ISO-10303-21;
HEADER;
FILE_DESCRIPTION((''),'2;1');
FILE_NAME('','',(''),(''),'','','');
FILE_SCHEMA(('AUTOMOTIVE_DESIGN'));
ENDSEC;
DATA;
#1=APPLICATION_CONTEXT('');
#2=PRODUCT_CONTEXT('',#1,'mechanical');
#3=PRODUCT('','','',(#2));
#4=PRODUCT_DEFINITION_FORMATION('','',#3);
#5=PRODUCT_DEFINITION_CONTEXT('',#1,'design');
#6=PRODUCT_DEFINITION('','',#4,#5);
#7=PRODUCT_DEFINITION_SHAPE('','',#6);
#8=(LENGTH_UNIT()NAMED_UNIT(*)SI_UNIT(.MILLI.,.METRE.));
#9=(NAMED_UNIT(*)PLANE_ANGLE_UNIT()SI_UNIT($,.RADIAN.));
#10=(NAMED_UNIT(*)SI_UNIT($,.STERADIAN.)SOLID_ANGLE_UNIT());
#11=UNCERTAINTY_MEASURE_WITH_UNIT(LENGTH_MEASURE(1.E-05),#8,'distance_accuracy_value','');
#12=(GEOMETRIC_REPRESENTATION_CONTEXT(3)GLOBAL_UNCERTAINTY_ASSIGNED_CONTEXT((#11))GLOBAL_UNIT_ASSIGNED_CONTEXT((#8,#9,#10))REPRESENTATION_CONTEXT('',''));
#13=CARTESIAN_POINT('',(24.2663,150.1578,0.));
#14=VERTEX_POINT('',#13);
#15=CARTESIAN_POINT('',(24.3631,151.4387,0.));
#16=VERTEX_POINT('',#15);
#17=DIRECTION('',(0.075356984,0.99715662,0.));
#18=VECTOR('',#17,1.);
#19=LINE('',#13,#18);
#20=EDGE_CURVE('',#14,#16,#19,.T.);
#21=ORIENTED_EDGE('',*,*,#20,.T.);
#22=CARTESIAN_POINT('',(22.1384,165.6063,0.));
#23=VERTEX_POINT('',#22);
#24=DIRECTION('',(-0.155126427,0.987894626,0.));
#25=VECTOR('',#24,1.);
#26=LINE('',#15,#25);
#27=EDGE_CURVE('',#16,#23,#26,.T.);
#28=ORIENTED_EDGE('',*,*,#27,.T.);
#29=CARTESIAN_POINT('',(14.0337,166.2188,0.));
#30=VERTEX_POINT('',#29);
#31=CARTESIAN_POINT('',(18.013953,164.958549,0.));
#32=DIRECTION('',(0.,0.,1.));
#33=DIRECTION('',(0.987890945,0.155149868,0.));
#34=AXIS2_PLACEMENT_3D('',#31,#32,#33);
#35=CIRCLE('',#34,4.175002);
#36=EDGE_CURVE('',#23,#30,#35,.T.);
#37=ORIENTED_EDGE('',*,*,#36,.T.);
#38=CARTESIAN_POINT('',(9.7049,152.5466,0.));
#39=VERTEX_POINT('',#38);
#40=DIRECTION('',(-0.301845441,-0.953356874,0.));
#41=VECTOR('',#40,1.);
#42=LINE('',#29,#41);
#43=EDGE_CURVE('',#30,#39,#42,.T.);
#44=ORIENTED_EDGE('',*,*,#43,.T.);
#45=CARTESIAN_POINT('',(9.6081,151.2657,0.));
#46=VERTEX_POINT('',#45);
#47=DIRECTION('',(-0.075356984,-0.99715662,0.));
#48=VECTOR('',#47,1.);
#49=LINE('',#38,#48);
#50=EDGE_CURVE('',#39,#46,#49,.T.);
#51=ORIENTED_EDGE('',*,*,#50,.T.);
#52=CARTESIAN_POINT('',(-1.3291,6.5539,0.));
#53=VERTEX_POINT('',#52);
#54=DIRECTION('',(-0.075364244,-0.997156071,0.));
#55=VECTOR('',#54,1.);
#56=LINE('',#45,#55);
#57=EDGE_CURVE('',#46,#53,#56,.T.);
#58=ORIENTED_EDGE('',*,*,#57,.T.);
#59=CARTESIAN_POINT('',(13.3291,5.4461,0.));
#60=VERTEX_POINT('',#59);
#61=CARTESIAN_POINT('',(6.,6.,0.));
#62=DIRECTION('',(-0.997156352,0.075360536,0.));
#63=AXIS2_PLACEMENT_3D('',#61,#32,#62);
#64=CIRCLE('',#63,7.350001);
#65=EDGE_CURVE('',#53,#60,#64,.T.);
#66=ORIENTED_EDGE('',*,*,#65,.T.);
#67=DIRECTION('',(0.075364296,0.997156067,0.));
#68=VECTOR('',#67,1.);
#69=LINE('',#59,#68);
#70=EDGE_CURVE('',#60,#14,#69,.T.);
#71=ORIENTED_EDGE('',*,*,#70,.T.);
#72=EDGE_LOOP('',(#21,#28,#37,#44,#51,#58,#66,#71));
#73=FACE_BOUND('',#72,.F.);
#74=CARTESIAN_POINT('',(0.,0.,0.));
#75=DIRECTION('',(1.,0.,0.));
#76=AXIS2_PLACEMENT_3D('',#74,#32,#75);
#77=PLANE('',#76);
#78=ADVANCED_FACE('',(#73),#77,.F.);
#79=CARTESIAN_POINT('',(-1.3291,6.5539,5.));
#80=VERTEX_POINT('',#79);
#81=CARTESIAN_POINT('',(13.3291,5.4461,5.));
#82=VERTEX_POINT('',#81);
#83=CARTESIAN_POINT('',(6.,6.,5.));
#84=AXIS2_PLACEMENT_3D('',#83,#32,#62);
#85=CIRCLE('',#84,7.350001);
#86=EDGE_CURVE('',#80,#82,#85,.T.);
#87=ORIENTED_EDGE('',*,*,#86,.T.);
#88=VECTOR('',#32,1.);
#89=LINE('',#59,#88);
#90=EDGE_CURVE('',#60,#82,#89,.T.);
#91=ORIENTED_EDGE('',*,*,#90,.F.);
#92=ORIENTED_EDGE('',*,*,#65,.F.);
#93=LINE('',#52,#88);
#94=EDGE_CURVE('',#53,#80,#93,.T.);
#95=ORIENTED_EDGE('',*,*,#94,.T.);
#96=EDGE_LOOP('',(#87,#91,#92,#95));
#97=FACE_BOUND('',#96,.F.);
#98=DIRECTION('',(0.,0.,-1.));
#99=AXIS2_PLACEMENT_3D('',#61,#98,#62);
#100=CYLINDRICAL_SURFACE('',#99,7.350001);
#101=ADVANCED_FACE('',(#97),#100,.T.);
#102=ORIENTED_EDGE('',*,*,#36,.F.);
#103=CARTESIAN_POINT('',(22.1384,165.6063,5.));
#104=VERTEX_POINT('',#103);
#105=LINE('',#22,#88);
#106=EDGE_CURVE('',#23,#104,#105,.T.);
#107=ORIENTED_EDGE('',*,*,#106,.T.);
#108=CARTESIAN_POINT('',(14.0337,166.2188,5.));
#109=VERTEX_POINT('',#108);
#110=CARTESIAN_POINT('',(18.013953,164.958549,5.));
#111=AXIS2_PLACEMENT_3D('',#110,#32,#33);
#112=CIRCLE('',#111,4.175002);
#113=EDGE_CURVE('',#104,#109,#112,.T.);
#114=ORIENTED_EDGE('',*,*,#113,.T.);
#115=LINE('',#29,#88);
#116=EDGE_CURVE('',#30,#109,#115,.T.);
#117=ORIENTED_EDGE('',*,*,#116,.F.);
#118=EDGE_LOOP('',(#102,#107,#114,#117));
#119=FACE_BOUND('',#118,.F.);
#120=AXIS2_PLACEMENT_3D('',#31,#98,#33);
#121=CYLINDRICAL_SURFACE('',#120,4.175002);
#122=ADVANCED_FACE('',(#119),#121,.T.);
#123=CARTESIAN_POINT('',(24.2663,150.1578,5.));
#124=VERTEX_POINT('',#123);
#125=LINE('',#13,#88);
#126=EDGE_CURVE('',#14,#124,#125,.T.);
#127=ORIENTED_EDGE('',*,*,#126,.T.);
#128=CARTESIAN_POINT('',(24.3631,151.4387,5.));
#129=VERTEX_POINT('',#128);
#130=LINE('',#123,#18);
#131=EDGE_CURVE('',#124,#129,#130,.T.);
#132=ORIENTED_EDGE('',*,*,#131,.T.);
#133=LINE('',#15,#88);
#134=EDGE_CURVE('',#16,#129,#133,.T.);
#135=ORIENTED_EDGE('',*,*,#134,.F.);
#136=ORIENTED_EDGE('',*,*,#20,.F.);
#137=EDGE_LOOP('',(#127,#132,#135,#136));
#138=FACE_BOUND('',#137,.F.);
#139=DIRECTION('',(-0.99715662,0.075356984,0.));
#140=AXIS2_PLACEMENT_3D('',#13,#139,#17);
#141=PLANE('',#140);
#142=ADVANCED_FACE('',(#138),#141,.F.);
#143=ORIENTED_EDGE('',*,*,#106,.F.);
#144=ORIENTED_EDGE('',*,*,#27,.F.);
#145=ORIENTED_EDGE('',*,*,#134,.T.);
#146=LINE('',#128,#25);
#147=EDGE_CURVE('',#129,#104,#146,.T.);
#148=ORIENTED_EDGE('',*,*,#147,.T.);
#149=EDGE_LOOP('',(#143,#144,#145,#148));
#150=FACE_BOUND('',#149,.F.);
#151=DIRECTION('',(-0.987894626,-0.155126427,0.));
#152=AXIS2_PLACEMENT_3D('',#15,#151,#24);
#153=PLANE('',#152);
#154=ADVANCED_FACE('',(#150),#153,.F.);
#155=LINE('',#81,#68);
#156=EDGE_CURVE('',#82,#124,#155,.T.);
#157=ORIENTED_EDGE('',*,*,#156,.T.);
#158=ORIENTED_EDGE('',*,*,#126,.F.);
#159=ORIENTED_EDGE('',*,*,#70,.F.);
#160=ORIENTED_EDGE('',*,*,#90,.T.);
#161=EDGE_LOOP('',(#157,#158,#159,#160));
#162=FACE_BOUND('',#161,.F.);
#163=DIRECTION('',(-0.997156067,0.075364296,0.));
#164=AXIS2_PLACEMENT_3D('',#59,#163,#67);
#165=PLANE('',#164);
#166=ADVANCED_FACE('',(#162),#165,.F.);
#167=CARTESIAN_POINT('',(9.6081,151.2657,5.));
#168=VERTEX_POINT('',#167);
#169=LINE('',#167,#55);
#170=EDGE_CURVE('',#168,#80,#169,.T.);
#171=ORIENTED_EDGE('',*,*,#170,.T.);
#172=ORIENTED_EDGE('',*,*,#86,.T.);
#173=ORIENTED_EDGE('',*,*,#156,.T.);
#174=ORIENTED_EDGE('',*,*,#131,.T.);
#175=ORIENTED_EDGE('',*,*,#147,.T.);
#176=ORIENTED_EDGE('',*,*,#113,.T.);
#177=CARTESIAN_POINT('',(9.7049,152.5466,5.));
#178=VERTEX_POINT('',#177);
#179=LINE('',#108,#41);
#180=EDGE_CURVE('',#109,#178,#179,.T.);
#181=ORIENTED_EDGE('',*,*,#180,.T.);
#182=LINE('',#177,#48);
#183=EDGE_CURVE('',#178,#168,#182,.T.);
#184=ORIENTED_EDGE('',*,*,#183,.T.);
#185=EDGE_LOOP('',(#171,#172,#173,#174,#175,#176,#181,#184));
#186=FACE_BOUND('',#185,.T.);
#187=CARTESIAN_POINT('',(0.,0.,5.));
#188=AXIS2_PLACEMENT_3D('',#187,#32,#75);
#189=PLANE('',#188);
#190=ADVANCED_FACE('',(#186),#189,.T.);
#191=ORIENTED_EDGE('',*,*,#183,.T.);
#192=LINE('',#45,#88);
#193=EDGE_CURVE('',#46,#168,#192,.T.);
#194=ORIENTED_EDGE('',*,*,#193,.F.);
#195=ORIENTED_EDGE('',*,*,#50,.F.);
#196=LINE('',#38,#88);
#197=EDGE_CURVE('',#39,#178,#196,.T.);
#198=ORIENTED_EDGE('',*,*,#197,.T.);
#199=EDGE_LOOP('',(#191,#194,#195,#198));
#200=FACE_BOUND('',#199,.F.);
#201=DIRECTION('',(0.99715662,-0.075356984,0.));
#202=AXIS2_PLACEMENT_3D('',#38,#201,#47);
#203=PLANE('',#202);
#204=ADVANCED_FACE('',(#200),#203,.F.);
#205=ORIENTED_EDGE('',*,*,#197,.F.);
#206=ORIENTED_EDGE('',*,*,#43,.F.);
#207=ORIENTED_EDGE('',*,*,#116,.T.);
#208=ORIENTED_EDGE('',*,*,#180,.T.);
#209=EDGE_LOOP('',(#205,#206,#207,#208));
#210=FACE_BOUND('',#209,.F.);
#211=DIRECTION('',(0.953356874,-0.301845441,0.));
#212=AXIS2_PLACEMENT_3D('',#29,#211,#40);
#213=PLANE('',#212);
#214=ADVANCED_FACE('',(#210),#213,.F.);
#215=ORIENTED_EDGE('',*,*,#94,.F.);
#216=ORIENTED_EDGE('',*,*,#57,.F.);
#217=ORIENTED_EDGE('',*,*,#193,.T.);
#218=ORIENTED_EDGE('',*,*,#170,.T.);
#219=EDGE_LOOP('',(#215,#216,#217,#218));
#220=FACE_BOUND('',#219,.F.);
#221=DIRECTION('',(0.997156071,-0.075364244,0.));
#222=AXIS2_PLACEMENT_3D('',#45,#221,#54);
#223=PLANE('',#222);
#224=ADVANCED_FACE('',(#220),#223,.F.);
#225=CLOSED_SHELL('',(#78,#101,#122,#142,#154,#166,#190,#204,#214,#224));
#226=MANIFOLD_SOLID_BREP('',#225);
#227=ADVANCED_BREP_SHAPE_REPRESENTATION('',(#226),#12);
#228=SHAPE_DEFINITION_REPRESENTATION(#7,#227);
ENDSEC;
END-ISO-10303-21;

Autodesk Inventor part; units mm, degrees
ref_plane "YZ Plane" through (0, 0, 0) normal (1, 0, 0) x (0, 1, 0)
ref_plane "XZ Plane" through (0, 0, 0) normal (0, 1, 0) x (-1, 0, 0)
ref_plane "XY Plane" through (0, 0, 0) normal (0, 0, 1) x (1, 0, 0)
sketch "Sketch1" plane through (0, 0, 0) normal (0, 0, 1) x (1, 0, 0)
  circle A0 centre (6, 6) radius 6.35 construction
  arc A1 (-0.3319, 6.4786) -> (12.3319, 5.5214) centre (6, 6) ccw
  circle A2 centre (18.014, 164.9586) radius 6.35 construction
  arc A3 (21.1505, 165.4512) -> (14.9871, 165.917) centre (18.014, 164.9586) ccw
  line L0 (10.6933, 152.3554) -> (10.6053, 151.1903) construction
  line L1 (23.3572, 151.3983) -> (23.2691, 150.2332) construction
  line L2 (23.3572, 151.3983) -> (21.1505, 165.4512)
  line L3 (14.9871, 165.917) -> (10.6933, 152.3554)
  line L4 (23.3572, 151.3983) -> (23.2691, 150.2332)
  line L5 (10.6933, 152.3554) -> (10.6053, 151.1903)
  line L6 (10.6053, 151.1903) -> (-0.3319, 6.4786)
  line L7 (12.3319, 5.5214) -> (23.2691, 150.2332)
  line L8 (13.35, 129.2896) -> (13.35, 130.5741)
  line L9 (-1.35, 130.5741) -> (-1.35, 129.2896)
  line L10 (24.2663, 150.1578) -> (24.3631, 151.4387)
  line L11 (24.3631, 151.4387) -> (22.1384, 165.6063)
  arc A4 (22.1384, 165.6063) -> (14.0337, 166.2188) centre (18.014, 164.9586) ccw
  line L12 (14.0337, 166.2188) -> (9.7049, 152.5466)
  line L13 (9.7049, 152.5466) -> (9.6081, 151.2657)
  line L14 (9.6081, 151.2657) -> (-1.3291, 6.5539)
  arc A5 (-1.3291, 6.5539) -> (13.3291, 5.4461) centre (6, 6) ccw
  line L15 (13.3291, 5.4461) -> (24.2663, 150.1578)
  point P0 (0, 0)
  point P1 (8.8484, 141.2146)
  point P2 (9.2772, 146.8874)
  point P3 (8.2267, 132.9885)
  point P4 (9.9854, 148.4188)
  point P5 (10.4028, 148.5118)
  point P6 (9.4615, 149.3265)
  point P7 (8.8484, 141.2146)
  point P8 (9.2772, 146.8874)
  dimension "d0" = 6.35
  dimension "d5" = 1
extrude "Extrusion1" add sketch "Sketch1" along normal blind 5 contours L6 L5 L3 A3 L2 L4 L7 A1 | L15 A5 L14 L13 L12 A4 L11 L10
properties part number "Triple Indexer band"
